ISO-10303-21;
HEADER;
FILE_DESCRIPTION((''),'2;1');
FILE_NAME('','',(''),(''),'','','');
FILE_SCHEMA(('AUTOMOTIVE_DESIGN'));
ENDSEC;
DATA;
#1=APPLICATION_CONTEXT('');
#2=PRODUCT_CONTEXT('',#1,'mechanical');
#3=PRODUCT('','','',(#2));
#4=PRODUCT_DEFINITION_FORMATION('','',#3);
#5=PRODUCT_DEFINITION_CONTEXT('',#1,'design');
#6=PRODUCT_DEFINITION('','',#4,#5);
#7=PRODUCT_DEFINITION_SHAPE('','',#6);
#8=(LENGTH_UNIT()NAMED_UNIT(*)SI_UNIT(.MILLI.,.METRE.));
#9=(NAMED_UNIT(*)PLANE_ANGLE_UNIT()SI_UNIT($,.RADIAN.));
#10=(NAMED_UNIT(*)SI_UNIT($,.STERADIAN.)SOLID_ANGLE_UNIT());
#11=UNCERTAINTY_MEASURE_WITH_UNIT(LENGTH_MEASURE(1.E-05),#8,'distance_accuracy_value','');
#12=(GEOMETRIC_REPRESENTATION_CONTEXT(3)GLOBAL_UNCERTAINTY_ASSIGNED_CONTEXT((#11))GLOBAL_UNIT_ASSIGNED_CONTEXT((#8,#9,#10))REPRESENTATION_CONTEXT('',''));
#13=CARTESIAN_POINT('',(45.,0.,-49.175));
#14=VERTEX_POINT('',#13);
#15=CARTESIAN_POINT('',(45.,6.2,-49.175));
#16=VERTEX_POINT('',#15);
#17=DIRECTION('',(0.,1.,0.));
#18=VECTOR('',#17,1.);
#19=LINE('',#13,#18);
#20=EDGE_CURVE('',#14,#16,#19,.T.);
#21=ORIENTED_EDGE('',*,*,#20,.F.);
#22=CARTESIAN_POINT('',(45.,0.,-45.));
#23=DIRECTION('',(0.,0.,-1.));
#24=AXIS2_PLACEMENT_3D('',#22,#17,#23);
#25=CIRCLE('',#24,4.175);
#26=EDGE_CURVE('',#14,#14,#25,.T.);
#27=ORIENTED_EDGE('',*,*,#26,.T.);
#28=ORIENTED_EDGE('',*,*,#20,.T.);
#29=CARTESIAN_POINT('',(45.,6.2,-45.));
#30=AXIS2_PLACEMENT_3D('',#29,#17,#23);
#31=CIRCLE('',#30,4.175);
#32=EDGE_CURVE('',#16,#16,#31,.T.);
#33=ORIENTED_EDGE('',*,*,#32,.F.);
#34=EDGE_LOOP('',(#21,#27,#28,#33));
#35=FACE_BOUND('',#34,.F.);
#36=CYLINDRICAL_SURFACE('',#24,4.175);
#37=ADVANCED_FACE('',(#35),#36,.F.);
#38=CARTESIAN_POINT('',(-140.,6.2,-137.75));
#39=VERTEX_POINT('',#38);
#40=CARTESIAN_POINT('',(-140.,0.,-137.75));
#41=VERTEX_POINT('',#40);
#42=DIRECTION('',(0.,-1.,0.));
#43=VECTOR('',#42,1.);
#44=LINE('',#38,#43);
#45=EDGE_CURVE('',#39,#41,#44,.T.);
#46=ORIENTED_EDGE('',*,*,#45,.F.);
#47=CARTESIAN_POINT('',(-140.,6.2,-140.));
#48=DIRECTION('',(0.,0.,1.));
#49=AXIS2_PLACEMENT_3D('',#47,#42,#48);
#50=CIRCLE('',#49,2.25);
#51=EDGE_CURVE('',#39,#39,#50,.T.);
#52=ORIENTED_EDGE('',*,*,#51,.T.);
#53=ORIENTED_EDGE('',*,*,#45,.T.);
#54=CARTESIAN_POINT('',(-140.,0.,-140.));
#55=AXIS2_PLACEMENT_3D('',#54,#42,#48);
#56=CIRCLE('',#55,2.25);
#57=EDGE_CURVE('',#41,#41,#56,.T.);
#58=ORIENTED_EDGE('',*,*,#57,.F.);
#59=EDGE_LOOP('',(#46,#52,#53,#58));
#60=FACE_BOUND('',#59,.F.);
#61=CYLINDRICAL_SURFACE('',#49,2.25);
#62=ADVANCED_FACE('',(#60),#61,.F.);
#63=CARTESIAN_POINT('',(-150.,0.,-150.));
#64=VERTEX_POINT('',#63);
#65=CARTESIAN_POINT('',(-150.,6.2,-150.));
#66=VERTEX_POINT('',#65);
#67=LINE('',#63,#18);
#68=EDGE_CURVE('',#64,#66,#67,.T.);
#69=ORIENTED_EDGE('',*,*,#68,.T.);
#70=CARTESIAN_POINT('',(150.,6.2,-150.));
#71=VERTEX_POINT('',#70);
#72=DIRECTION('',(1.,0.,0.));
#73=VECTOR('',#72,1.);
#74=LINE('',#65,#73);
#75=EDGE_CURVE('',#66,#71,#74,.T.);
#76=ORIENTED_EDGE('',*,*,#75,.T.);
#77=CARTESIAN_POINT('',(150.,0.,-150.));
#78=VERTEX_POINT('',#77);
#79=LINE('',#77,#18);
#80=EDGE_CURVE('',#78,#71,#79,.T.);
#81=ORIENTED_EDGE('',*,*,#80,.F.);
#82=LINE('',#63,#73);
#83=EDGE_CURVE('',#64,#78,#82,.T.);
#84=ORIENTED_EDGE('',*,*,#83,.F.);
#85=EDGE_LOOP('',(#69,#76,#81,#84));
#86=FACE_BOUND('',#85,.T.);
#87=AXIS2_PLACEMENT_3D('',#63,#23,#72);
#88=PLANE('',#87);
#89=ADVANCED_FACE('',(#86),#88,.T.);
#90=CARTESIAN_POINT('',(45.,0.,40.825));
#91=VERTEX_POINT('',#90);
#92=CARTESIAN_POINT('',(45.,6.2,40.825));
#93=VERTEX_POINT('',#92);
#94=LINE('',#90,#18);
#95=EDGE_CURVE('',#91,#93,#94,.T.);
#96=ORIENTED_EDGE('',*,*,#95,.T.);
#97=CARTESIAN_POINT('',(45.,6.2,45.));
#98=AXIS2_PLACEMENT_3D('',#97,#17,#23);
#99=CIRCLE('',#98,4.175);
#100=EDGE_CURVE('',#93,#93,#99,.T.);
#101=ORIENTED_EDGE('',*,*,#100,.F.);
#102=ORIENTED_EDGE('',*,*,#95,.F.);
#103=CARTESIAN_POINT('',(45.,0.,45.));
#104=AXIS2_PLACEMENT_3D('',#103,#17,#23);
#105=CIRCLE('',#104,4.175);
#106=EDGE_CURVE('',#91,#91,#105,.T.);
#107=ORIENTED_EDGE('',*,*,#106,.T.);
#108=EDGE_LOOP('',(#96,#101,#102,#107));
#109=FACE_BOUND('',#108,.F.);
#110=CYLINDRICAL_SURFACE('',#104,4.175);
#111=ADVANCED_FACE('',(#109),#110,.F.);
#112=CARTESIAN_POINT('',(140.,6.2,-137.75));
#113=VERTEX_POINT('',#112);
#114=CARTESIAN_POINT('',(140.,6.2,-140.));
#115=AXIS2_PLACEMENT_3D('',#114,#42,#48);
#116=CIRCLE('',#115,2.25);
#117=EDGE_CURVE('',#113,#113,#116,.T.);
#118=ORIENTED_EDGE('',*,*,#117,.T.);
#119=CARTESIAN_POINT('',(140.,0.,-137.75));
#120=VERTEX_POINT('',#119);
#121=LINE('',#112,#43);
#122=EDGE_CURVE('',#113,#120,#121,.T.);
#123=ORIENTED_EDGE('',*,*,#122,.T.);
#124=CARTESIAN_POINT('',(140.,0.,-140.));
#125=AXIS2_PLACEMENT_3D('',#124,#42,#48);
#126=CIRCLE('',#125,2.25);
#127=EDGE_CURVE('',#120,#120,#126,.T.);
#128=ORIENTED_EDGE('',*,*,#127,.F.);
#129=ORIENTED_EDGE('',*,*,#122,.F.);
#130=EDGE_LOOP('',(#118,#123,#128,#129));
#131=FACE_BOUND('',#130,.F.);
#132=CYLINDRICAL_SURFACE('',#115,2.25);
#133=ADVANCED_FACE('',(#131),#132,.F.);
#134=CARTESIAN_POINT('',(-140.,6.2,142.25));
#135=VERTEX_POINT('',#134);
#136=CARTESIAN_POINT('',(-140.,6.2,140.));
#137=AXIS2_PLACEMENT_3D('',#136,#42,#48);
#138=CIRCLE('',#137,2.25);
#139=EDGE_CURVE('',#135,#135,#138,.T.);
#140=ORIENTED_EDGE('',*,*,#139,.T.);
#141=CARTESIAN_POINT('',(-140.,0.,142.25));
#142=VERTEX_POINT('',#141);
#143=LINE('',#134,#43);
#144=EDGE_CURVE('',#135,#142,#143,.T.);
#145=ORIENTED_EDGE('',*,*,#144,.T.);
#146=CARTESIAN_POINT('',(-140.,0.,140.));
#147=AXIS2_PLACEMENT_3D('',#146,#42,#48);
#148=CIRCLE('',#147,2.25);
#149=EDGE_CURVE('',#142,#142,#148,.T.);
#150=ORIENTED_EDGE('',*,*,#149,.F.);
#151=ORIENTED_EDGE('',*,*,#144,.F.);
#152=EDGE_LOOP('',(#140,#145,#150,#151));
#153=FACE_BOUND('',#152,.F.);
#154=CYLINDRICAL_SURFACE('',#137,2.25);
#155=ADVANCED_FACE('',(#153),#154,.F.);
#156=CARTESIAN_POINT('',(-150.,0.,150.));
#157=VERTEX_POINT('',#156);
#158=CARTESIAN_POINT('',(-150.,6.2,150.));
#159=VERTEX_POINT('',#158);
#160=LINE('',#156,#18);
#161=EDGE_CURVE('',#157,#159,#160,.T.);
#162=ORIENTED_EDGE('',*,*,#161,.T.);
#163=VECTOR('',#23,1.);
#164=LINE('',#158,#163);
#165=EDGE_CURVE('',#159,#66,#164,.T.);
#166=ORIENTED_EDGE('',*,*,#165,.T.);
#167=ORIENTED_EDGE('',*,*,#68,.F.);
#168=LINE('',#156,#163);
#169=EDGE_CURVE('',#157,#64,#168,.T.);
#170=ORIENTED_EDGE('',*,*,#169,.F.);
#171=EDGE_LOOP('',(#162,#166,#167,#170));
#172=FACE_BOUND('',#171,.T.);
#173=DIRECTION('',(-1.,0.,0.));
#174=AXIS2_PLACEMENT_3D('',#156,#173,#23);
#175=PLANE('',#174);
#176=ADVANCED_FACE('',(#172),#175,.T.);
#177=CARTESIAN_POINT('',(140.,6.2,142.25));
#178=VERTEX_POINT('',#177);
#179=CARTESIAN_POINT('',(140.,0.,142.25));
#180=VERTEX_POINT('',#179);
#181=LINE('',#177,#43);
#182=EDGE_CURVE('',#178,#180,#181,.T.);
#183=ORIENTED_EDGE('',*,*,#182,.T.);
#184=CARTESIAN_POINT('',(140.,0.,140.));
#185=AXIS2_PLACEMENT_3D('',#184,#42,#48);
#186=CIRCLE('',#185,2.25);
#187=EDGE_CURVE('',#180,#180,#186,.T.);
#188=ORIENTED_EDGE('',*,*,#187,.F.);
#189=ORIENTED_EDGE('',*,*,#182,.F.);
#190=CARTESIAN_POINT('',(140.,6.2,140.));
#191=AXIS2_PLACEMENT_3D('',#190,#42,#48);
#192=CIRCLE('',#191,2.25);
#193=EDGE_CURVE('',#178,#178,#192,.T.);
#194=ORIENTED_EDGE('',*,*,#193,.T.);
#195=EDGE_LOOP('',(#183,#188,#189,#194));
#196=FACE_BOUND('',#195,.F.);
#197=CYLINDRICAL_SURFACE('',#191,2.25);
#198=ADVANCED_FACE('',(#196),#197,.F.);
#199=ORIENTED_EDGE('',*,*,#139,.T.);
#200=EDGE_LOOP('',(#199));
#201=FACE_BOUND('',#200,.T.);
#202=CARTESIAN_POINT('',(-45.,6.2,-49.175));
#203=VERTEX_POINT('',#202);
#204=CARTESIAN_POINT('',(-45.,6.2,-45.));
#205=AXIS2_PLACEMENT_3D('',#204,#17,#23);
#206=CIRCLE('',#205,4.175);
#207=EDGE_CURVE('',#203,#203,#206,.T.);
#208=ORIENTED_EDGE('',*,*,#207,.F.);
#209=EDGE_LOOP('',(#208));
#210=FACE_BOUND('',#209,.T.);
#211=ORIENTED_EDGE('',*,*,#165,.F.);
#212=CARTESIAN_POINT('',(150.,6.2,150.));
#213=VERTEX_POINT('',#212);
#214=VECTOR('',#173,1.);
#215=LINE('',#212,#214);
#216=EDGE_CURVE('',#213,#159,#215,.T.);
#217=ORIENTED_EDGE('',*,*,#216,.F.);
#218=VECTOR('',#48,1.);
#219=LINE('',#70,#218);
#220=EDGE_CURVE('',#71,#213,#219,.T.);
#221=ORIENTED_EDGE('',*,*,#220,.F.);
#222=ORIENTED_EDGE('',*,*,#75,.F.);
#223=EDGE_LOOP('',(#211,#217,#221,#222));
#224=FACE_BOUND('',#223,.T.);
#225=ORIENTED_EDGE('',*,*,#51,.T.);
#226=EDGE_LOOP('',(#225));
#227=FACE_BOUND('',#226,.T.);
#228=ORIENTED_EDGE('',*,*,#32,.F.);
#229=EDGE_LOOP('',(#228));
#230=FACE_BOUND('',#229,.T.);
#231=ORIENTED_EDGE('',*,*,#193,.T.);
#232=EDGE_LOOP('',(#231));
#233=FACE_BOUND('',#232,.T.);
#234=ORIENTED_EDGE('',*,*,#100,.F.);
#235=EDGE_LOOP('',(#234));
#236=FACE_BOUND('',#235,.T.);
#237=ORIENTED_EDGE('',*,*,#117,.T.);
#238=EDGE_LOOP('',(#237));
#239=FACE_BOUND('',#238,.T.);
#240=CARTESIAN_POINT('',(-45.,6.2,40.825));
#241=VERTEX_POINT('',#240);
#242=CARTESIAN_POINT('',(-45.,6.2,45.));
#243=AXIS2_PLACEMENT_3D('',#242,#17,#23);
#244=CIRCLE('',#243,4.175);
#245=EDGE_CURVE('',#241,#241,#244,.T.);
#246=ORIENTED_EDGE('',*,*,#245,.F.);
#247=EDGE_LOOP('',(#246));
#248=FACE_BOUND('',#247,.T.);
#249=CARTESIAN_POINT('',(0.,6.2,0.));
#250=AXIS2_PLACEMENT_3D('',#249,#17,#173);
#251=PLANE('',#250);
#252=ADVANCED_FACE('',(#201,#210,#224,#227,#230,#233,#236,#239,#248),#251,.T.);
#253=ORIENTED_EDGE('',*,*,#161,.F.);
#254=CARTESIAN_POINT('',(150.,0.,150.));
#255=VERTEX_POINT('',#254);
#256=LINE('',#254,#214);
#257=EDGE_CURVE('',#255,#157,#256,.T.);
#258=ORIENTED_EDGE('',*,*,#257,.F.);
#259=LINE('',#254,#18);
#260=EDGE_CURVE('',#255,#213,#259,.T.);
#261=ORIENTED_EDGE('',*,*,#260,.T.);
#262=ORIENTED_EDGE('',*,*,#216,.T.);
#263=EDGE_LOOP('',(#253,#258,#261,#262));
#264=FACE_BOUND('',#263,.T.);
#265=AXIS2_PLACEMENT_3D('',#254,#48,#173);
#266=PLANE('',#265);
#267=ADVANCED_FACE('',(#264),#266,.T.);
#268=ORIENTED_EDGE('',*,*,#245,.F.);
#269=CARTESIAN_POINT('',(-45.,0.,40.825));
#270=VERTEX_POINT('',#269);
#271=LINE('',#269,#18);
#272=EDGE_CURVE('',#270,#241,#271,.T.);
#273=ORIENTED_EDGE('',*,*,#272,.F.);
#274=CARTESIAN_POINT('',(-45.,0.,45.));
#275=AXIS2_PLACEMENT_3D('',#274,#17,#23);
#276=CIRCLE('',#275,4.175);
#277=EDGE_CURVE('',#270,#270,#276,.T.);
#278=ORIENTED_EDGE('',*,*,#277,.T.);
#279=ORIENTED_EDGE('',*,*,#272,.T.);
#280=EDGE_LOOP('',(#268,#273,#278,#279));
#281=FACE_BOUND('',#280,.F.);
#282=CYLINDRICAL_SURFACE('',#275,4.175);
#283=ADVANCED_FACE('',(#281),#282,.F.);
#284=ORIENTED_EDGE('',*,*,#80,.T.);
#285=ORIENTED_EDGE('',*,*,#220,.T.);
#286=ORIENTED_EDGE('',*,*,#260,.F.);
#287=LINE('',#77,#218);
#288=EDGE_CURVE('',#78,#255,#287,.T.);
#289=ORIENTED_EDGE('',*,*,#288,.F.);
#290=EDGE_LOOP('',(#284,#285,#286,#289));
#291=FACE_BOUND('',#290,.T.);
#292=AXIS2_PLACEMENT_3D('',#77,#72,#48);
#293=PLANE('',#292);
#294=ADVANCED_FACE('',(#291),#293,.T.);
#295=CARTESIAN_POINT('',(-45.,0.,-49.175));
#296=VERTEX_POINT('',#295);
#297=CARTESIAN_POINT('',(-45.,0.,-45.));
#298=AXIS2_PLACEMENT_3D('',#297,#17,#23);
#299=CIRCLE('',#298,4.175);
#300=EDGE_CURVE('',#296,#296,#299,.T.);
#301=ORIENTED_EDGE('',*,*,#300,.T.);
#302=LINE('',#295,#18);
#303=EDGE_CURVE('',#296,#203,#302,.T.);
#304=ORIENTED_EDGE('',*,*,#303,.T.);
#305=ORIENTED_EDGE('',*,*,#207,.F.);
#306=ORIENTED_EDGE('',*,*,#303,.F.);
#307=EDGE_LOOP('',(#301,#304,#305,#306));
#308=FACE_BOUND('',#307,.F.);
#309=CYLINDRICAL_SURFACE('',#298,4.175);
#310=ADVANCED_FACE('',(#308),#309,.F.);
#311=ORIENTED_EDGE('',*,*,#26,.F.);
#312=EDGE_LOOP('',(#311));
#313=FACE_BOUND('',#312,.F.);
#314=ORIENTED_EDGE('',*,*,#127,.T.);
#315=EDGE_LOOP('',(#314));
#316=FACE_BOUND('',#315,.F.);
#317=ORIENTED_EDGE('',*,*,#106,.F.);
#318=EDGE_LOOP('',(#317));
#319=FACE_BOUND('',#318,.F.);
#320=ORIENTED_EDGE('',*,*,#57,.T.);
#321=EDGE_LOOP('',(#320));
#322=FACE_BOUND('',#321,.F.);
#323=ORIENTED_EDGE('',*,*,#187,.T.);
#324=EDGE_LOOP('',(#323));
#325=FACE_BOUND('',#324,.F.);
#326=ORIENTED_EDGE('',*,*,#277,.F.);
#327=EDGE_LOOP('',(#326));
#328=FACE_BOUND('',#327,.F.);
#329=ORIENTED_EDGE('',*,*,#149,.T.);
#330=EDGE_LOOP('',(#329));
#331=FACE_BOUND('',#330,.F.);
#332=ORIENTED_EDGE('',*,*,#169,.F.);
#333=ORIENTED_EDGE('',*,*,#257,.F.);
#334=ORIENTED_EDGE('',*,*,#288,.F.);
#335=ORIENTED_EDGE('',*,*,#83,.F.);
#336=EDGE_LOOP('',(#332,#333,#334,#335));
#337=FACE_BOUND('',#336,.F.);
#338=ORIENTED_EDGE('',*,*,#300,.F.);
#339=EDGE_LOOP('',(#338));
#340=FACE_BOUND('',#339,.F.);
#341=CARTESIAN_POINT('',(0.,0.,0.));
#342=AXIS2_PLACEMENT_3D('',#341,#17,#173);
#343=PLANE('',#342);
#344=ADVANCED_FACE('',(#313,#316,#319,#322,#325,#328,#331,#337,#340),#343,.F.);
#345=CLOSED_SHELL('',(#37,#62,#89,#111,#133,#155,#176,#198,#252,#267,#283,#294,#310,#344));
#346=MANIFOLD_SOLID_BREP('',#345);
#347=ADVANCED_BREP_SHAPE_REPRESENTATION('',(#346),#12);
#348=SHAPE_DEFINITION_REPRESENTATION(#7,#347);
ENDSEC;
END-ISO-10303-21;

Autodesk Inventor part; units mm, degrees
ref_plane "YZ Plane" through (0, 0, 0) normal (1, 0, 0) x (0, 1, 0)
ref_plane "XZ Plane" through (0, 0, 0) normal (0, 1, 0) x (-1, 0, 0)
ref_plane "XY Plane" through (0, 0, 0) normal (0, 0, 1) x (1, 0, 0)
sketch "Sketch1" plane through (0, 0, 0) normal (0, 1, 0) x (-1, 0, 0)
  line L0 (150, -150) -> (-150, -150)
  line L1 (-150, -150) -> (-150, 150)
  line L2 (-150, 150) -> (150, 150)
  line L3 (150, 150) -> (150, -150)
  line L4 (150, -150) -> (-150, 150) construction
  line L5 (-150, -150) -> (150, 150) construction
  point P0 (0, 0)
  point P1 (45, 45)
  point P2 (-45, 45)
  point P3 (-45, -45)
  point P4 (45, -45)
  dimension "d0" = 300
  dimension "d1" = 300
  dimension "d2" = 45
  dimension "d4" = 45
  dimension "d5" = 45
  dimension "d6" = 45
extrude "Extrusion1" add sketch "Sketch1" along normal blind 6.2
hole "Hole1" at (-45, 0, 45) at (45, 0, 45) at (45, 0, -45) at (-45, 0, -45) direction (0, 1, 0) diameter 8.35 end through all
sketch "Sketch2" plane through (0, 6.2, 0) normal (0, 1, 0) x (1, 0, 0)
  line L0 (-150, -150) -> (150, -150) projected
  line L1 (-150, 150) -> (-150, -150) projected
  line L2 (150, 150) -> (-150, 150) projected
  line L3 (150, -150) -> (150, 150) projected
  point P0 (0, 0)
  point P1 (-140, -140)
  point P2 (140, -140)
  point P3 (140, 140)
  point P4 (-140, 140)
  dimension "d16" = 10
  dimension "d17" = 10
  dimension "d18" = 10
  dimension "d19" = 10
hole "Hole2" at (140, 6.2, 140) at (140, 6.2, -140) at (-140, 6.2, -140) at (-140, 6.2, 140) direction (0, -1, 0) diameter 4.5 end through all
properties part number "Base_Mdf" material "Wood (Birch)"
